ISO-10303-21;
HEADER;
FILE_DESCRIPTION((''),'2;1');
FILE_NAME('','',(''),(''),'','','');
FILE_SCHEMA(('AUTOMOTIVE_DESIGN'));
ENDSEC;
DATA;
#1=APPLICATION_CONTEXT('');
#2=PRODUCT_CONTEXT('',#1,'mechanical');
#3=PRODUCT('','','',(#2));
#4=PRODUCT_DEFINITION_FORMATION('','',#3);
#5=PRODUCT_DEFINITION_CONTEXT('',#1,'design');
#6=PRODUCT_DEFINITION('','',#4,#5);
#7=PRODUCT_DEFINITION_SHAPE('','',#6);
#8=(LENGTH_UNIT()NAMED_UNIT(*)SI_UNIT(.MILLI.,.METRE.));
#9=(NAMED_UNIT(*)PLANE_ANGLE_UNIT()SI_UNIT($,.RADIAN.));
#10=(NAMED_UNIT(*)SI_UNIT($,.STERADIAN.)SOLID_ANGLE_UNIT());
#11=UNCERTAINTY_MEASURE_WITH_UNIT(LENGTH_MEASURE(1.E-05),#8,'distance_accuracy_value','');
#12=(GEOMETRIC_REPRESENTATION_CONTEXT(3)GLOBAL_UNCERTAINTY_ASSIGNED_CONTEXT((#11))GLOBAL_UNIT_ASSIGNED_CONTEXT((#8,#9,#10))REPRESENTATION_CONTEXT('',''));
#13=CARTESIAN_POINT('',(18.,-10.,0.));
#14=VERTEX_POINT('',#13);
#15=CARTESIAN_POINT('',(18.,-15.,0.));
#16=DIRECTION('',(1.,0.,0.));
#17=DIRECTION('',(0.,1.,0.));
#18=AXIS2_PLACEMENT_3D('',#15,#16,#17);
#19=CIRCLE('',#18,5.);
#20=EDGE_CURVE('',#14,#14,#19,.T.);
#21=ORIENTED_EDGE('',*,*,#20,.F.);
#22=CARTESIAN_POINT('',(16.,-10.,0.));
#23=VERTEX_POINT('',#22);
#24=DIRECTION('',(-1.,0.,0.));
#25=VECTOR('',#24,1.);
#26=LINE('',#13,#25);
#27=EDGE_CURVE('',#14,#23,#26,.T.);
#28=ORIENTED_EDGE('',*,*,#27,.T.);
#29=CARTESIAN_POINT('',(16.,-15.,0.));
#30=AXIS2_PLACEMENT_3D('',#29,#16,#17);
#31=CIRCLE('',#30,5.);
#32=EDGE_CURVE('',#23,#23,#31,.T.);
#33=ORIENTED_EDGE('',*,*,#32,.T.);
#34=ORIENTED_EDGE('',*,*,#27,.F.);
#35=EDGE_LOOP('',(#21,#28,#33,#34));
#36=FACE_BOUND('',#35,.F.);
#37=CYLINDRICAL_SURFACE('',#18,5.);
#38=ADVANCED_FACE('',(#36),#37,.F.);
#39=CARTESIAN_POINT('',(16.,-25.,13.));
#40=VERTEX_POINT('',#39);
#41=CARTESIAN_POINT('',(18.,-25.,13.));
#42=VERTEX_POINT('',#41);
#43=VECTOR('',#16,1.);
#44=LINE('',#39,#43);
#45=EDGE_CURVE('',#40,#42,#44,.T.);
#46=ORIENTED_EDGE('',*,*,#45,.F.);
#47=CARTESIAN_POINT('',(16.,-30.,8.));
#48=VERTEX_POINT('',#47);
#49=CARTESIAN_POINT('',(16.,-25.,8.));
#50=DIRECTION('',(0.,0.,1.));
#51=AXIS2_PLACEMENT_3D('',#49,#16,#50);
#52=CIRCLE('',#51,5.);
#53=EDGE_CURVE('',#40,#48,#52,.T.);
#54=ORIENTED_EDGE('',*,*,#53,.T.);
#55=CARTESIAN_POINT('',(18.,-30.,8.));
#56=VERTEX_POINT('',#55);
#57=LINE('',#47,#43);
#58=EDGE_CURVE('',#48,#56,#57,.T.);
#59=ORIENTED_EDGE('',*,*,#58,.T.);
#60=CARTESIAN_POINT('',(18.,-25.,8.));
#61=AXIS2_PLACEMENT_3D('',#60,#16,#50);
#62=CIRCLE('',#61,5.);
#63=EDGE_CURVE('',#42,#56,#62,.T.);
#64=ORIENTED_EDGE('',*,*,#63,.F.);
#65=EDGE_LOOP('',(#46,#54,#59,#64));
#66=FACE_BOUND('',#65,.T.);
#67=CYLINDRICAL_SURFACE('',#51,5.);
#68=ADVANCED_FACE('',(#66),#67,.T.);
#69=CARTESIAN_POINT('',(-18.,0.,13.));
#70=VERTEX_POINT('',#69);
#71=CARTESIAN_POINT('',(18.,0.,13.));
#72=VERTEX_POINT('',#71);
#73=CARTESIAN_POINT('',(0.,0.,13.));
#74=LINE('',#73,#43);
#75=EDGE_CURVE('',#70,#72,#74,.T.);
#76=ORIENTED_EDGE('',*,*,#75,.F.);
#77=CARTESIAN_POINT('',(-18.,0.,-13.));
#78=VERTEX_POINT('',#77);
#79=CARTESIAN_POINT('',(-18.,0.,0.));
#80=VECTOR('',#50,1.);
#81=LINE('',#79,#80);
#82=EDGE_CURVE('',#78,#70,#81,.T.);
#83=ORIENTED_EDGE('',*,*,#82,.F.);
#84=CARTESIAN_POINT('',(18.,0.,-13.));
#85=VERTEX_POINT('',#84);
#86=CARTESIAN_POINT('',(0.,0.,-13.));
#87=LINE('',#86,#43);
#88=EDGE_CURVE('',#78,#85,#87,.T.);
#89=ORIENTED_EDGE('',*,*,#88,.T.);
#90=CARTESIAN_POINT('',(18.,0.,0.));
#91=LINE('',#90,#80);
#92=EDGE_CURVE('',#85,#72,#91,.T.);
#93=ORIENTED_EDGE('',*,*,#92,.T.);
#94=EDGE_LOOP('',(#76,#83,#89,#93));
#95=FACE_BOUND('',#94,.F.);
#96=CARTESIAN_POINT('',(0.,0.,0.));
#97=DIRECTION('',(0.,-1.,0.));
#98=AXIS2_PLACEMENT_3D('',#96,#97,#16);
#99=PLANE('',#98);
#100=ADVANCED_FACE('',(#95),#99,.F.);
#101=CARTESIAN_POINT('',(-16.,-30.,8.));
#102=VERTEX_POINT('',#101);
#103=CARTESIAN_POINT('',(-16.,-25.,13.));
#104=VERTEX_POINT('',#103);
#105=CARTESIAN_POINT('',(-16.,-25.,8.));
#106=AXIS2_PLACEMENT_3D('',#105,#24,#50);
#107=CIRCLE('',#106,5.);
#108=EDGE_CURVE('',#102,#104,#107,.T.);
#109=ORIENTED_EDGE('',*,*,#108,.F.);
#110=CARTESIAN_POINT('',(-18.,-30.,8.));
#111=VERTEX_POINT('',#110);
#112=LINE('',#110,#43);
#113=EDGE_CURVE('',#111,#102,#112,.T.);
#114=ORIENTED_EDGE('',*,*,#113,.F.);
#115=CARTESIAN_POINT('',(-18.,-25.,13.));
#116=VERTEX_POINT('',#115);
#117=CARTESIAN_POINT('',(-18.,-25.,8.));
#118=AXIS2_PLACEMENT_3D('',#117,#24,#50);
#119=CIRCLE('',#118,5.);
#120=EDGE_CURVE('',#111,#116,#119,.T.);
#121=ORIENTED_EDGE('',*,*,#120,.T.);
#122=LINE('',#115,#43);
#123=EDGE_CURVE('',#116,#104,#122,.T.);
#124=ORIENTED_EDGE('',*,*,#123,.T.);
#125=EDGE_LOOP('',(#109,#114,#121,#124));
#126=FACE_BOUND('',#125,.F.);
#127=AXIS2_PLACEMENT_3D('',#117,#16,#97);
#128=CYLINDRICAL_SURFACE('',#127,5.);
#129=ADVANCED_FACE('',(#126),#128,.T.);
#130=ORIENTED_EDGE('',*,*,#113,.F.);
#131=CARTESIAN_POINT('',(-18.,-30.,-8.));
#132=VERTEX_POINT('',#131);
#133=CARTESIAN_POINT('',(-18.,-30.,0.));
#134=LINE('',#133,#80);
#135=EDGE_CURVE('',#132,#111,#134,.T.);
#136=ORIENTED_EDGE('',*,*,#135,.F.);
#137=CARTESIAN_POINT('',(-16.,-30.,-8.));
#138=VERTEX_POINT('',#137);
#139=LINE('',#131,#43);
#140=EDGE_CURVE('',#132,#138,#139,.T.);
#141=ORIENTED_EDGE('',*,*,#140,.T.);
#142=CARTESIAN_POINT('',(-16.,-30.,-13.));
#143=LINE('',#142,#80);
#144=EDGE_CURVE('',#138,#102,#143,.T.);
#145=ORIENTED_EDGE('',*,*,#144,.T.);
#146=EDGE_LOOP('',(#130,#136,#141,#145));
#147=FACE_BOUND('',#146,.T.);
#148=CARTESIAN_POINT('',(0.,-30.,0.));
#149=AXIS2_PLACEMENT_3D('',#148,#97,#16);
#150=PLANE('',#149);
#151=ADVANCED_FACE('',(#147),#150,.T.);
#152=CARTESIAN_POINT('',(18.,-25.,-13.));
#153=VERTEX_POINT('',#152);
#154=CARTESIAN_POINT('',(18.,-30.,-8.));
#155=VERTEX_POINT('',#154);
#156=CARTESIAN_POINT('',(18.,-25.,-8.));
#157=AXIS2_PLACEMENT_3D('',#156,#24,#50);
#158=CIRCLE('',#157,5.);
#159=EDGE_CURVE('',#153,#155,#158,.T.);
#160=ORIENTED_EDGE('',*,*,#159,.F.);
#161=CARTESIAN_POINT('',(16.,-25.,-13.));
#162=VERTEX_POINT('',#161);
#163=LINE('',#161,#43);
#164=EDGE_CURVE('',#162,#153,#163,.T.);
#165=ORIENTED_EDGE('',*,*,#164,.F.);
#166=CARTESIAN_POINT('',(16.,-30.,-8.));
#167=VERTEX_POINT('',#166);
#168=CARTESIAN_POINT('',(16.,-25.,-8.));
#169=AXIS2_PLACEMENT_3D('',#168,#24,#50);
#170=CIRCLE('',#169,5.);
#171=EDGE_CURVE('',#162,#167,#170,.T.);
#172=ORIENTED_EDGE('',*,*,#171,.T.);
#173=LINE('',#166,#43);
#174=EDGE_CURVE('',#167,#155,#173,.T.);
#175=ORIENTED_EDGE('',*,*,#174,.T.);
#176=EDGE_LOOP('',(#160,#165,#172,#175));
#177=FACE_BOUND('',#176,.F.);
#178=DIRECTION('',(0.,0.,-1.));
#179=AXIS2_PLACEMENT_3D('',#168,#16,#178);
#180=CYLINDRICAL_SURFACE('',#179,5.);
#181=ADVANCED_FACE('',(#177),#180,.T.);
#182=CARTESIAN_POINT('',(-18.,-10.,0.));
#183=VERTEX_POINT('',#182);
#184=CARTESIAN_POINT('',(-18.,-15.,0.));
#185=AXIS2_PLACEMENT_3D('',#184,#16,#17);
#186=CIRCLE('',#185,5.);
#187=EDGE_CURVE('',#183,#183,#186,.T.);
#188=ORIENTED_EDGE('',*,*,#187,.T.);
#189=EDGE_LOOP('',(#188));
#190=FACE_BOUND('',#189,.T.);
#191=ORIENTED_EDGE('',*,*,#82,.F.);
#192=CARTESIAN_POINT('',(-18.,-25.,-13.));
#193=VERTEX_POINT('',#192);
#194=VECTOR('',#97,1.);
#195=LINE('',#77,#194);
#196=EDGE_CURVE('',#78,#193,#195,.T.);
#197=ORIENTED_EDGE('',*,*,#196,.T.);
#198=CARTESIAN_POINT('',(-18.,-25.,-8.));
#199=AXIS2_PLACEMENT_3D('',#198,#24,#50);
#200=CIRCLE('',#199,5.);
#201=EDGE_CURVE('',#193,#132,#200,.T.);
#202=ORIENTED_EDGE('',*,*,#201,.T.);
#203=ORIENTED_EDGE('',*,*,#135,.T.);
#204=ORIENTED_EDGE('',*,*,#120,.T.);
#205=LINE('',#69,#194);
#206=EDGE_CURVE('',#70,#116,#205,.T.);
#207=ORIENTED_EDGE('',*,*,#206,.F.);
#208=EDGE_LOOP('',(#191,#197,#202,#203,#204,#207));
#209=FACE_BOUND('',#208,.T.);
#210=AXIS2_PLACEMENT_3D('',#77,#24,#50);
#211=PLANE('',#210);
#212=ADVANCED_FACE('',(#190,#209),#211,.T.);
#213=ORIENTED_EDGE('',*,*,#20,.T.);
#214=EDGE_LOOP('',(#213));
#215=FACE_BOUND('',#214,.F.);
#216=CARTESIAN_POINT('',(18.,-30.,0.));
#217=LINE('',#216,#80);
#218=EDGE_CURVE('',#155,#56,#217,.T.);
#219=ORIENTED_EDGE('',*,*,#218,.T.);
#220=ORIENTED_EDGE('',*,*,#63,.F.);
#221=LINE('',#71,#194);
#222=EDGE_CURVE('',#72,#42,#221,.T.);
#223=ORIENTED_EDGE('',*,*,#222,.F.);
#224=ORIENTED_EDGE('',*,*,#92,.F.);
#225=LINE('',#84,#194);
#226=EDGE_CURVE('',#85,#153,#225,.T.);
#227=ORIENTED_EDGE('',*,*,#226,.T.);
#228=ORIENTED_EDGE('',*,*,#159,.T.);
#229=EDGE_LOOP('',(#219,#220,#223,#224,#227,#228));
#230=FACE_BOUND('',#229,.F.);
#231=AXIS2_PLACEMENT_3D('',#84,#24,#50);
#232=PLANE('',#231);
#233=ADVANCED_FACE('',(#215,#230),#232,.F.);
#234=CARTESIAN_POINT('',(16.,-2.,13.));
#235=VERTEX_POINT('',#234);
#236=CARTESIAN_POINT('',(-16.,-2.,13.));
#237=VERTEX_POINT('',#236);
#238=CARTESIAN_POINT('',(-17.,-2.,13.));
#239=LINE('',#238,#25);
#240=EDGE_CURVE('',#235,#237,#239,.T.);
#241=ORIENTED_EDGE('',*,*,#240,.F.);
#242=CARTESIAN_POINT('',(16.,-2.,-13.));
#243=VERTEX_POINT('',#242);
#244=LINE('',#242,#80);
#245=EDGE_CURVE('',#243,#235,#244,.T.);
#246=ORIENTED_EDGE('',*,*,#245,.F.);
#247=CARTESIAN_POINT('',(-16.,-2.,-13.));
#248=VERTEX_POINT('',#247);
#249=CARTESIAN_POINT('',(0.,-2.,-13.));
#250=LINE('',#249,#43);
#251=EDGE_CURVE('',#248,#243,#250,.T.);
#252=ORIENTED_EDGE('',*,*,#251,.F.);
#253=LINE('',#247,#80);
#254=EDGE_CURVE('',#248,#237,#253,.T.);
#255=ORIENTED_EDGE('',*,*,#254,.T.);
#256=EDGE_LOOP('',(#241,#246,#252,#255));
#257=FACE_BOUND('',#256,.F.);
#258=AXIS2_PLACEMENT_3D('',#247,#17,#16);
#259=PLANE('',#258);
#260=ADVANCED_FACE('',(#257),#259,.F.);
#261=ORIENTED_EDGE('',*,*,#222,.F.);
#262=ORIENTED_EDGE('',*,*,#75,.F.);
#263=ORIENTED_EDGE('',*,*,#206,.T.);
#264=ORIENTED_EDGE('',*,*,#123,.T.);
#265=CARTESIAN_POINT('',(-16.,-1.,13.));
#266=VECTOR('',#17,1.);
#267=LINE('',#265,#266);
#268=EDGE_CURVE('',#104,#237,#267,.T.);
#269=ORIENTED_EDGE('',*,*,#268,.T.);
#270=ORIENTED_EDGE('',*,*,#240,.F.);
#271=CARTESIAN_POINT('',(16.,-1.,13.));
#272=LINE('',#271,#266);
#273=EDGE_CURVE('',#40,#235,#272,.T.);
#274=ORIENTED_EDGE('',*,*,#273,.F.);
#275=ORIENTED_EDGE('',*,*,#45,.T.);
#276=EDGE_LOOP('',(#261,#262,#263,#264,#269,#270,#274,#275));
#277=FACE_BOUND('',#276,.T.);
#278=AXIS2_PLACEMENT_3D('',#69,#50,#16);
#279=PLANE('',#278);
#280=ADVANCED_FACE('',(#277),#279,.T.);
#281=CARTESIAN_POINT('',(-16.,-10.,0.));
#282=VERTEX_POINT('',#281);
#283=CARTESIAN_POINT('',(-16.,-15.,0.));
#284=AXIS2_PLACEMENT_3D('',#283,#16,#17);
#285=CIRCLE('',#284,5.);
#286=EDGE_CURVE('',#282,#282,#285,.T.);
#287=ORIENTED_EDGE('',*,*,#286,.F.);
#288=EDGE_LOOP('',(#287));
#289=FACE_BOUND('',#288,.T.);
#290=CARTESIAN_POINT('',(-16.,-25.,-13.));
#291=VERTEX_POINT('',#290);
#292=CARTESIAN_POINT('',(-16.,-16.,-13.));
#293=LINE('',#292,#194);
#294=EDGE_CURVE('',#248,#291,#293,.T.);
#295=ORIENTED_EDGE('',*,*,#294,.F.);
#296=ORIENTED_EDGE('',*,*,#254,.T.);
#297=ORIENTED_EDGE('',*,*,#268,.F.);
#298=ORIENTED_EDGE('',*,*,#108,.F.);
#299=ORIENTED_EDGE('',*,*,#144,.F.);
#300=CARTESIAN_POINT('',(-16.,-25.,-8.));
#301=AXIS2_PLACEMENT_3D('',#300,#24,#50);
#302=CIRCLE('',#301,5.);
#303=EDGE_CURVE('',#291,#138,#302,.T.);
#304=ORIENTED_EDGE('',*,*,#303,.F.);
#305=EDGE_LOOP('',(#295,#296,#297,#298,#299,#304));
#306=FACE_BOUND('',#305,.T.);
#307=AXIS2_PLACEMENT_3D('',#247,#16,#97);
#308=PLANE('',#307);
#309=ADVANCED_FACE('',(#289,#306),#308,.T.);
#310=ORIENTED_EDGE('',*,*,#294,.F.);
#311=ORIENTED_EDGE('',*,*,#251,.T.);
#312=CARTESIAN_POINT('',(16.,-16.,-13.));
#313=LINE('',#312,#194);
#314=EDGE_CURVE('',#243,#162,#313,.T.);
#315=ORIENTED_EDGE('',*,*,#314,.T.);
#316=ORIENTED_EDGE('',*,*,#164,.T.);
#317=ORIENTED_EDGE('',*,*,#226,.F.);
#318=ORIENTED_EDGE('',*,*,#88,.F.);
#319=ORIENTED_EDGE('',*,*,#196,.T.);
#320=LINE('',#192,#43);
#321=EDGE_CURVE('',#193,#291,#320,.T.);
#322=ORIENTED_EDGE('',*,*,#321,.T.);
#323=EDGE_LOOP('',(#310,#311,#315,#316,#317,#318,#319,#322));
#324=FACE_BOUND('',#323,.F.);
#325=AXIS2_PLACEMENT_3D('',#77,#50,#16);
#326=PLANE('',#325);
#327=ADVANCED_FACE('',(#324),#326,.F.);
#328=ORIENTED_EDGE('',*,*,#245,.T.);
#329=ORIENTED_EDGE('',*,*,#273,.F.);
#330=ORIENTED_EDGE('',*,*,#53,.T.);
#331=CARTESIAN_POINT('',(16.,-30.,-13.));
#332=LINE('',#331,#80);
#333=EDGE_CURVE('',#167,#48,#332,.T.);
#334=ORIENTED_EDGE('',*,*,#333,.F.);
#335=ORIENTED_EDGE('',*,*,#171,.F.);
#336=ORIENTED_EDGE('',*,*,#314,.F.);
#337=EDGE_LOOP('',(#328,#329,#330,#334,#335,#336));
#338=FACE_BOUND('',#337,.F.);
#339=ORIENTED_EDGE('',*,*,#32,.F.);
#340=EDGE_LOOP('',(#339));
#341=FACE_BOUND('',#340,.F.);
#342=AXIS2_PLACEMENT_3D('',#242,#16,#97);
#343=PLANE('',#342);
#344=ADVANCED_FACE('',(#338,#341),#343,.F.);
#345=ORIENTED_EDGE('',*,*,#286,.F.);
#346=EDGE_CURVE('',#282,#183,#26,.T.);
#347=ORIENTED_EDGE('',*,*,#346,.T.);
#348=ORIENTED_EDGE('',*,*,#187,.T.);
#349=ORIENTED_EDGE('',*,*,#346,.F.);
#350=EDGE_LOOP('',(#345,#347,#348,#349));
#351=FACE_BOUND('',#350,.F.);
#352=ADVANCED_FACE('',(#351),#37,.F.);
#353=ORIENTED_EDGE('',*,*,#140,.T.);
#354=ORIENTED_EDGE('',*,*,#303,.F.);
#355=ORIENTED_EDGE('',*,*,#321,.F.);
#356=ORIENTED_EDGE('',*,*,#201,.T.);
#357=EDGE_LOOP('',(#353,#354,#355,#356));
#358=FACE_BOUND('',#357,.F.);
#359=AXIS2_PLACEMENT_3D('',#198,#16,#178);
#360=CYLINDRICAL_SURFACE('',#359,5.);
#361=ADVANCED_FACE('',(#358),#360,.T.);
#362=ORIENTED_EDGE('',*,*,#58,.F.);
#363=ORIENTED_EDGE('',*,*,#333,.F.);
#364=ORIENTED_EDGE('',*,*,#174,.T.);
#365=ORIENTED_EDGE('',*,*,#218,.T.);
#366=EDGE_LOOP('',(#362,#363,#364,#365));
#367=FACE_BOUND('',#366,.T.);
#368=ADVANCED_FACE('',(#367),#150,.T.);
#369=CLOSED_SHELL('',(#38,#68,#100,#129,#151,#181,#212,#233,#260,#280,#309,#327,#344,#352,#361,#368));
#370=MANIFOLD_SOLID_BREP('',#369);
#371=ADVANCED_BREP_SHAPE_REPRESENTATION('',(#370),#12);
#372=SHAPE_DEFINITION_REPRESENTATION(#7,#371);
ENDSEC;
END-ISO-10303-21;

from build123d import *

# Parameters (mm, degrees)
F0_W     = 36
F0_H     = 26
F1_DEPTH = 30
F2_W     = 32
F2_H     = 28
F3_DEPTH = 36
F4_R     = 5
F5_DEPTH = 36.001
F6_R     = 5


with BuildPart() as f1:
    # F0 (on Front) → F1 (new body)
    with BuildSketch(Plane.XZ):
        Rectangle(F0_W, F0_H)
    extrude(amount=F1_DEPTH)

    # F2 (on face) → F3 (cut)
    with BuildSketch(Plane(origin=(0, 0, -13), x_dir=(1, 0, 0), z_dir=(0, 0, -1))):
        with Locations((0, 16)):
            Rectangle(F2_W, F2_H)
    extrude(amount=-F3_DEPTH, mode=Mode.SUBTRACT)

    # F4 (on face) → F5 (cut, through all)
    with BuildSketch(Plane.YZ.offset(18)):
        with Locations((-15, 0)):
            Circle(F4_R)
    extrude(amount=-F5_DEPTH, mode=Mode.SUBTRACT)

    # F6
    f6_edges = [f1.edges().sort_by_distance(p)[0] for p in [
        (17, -30, -13),
        (-17, -30, -13),
        (17, -30, 13),
        (-17, -30, 13),
    ]]
    fillet(f6_edges, radius=F6_R)


solid = f1.part
